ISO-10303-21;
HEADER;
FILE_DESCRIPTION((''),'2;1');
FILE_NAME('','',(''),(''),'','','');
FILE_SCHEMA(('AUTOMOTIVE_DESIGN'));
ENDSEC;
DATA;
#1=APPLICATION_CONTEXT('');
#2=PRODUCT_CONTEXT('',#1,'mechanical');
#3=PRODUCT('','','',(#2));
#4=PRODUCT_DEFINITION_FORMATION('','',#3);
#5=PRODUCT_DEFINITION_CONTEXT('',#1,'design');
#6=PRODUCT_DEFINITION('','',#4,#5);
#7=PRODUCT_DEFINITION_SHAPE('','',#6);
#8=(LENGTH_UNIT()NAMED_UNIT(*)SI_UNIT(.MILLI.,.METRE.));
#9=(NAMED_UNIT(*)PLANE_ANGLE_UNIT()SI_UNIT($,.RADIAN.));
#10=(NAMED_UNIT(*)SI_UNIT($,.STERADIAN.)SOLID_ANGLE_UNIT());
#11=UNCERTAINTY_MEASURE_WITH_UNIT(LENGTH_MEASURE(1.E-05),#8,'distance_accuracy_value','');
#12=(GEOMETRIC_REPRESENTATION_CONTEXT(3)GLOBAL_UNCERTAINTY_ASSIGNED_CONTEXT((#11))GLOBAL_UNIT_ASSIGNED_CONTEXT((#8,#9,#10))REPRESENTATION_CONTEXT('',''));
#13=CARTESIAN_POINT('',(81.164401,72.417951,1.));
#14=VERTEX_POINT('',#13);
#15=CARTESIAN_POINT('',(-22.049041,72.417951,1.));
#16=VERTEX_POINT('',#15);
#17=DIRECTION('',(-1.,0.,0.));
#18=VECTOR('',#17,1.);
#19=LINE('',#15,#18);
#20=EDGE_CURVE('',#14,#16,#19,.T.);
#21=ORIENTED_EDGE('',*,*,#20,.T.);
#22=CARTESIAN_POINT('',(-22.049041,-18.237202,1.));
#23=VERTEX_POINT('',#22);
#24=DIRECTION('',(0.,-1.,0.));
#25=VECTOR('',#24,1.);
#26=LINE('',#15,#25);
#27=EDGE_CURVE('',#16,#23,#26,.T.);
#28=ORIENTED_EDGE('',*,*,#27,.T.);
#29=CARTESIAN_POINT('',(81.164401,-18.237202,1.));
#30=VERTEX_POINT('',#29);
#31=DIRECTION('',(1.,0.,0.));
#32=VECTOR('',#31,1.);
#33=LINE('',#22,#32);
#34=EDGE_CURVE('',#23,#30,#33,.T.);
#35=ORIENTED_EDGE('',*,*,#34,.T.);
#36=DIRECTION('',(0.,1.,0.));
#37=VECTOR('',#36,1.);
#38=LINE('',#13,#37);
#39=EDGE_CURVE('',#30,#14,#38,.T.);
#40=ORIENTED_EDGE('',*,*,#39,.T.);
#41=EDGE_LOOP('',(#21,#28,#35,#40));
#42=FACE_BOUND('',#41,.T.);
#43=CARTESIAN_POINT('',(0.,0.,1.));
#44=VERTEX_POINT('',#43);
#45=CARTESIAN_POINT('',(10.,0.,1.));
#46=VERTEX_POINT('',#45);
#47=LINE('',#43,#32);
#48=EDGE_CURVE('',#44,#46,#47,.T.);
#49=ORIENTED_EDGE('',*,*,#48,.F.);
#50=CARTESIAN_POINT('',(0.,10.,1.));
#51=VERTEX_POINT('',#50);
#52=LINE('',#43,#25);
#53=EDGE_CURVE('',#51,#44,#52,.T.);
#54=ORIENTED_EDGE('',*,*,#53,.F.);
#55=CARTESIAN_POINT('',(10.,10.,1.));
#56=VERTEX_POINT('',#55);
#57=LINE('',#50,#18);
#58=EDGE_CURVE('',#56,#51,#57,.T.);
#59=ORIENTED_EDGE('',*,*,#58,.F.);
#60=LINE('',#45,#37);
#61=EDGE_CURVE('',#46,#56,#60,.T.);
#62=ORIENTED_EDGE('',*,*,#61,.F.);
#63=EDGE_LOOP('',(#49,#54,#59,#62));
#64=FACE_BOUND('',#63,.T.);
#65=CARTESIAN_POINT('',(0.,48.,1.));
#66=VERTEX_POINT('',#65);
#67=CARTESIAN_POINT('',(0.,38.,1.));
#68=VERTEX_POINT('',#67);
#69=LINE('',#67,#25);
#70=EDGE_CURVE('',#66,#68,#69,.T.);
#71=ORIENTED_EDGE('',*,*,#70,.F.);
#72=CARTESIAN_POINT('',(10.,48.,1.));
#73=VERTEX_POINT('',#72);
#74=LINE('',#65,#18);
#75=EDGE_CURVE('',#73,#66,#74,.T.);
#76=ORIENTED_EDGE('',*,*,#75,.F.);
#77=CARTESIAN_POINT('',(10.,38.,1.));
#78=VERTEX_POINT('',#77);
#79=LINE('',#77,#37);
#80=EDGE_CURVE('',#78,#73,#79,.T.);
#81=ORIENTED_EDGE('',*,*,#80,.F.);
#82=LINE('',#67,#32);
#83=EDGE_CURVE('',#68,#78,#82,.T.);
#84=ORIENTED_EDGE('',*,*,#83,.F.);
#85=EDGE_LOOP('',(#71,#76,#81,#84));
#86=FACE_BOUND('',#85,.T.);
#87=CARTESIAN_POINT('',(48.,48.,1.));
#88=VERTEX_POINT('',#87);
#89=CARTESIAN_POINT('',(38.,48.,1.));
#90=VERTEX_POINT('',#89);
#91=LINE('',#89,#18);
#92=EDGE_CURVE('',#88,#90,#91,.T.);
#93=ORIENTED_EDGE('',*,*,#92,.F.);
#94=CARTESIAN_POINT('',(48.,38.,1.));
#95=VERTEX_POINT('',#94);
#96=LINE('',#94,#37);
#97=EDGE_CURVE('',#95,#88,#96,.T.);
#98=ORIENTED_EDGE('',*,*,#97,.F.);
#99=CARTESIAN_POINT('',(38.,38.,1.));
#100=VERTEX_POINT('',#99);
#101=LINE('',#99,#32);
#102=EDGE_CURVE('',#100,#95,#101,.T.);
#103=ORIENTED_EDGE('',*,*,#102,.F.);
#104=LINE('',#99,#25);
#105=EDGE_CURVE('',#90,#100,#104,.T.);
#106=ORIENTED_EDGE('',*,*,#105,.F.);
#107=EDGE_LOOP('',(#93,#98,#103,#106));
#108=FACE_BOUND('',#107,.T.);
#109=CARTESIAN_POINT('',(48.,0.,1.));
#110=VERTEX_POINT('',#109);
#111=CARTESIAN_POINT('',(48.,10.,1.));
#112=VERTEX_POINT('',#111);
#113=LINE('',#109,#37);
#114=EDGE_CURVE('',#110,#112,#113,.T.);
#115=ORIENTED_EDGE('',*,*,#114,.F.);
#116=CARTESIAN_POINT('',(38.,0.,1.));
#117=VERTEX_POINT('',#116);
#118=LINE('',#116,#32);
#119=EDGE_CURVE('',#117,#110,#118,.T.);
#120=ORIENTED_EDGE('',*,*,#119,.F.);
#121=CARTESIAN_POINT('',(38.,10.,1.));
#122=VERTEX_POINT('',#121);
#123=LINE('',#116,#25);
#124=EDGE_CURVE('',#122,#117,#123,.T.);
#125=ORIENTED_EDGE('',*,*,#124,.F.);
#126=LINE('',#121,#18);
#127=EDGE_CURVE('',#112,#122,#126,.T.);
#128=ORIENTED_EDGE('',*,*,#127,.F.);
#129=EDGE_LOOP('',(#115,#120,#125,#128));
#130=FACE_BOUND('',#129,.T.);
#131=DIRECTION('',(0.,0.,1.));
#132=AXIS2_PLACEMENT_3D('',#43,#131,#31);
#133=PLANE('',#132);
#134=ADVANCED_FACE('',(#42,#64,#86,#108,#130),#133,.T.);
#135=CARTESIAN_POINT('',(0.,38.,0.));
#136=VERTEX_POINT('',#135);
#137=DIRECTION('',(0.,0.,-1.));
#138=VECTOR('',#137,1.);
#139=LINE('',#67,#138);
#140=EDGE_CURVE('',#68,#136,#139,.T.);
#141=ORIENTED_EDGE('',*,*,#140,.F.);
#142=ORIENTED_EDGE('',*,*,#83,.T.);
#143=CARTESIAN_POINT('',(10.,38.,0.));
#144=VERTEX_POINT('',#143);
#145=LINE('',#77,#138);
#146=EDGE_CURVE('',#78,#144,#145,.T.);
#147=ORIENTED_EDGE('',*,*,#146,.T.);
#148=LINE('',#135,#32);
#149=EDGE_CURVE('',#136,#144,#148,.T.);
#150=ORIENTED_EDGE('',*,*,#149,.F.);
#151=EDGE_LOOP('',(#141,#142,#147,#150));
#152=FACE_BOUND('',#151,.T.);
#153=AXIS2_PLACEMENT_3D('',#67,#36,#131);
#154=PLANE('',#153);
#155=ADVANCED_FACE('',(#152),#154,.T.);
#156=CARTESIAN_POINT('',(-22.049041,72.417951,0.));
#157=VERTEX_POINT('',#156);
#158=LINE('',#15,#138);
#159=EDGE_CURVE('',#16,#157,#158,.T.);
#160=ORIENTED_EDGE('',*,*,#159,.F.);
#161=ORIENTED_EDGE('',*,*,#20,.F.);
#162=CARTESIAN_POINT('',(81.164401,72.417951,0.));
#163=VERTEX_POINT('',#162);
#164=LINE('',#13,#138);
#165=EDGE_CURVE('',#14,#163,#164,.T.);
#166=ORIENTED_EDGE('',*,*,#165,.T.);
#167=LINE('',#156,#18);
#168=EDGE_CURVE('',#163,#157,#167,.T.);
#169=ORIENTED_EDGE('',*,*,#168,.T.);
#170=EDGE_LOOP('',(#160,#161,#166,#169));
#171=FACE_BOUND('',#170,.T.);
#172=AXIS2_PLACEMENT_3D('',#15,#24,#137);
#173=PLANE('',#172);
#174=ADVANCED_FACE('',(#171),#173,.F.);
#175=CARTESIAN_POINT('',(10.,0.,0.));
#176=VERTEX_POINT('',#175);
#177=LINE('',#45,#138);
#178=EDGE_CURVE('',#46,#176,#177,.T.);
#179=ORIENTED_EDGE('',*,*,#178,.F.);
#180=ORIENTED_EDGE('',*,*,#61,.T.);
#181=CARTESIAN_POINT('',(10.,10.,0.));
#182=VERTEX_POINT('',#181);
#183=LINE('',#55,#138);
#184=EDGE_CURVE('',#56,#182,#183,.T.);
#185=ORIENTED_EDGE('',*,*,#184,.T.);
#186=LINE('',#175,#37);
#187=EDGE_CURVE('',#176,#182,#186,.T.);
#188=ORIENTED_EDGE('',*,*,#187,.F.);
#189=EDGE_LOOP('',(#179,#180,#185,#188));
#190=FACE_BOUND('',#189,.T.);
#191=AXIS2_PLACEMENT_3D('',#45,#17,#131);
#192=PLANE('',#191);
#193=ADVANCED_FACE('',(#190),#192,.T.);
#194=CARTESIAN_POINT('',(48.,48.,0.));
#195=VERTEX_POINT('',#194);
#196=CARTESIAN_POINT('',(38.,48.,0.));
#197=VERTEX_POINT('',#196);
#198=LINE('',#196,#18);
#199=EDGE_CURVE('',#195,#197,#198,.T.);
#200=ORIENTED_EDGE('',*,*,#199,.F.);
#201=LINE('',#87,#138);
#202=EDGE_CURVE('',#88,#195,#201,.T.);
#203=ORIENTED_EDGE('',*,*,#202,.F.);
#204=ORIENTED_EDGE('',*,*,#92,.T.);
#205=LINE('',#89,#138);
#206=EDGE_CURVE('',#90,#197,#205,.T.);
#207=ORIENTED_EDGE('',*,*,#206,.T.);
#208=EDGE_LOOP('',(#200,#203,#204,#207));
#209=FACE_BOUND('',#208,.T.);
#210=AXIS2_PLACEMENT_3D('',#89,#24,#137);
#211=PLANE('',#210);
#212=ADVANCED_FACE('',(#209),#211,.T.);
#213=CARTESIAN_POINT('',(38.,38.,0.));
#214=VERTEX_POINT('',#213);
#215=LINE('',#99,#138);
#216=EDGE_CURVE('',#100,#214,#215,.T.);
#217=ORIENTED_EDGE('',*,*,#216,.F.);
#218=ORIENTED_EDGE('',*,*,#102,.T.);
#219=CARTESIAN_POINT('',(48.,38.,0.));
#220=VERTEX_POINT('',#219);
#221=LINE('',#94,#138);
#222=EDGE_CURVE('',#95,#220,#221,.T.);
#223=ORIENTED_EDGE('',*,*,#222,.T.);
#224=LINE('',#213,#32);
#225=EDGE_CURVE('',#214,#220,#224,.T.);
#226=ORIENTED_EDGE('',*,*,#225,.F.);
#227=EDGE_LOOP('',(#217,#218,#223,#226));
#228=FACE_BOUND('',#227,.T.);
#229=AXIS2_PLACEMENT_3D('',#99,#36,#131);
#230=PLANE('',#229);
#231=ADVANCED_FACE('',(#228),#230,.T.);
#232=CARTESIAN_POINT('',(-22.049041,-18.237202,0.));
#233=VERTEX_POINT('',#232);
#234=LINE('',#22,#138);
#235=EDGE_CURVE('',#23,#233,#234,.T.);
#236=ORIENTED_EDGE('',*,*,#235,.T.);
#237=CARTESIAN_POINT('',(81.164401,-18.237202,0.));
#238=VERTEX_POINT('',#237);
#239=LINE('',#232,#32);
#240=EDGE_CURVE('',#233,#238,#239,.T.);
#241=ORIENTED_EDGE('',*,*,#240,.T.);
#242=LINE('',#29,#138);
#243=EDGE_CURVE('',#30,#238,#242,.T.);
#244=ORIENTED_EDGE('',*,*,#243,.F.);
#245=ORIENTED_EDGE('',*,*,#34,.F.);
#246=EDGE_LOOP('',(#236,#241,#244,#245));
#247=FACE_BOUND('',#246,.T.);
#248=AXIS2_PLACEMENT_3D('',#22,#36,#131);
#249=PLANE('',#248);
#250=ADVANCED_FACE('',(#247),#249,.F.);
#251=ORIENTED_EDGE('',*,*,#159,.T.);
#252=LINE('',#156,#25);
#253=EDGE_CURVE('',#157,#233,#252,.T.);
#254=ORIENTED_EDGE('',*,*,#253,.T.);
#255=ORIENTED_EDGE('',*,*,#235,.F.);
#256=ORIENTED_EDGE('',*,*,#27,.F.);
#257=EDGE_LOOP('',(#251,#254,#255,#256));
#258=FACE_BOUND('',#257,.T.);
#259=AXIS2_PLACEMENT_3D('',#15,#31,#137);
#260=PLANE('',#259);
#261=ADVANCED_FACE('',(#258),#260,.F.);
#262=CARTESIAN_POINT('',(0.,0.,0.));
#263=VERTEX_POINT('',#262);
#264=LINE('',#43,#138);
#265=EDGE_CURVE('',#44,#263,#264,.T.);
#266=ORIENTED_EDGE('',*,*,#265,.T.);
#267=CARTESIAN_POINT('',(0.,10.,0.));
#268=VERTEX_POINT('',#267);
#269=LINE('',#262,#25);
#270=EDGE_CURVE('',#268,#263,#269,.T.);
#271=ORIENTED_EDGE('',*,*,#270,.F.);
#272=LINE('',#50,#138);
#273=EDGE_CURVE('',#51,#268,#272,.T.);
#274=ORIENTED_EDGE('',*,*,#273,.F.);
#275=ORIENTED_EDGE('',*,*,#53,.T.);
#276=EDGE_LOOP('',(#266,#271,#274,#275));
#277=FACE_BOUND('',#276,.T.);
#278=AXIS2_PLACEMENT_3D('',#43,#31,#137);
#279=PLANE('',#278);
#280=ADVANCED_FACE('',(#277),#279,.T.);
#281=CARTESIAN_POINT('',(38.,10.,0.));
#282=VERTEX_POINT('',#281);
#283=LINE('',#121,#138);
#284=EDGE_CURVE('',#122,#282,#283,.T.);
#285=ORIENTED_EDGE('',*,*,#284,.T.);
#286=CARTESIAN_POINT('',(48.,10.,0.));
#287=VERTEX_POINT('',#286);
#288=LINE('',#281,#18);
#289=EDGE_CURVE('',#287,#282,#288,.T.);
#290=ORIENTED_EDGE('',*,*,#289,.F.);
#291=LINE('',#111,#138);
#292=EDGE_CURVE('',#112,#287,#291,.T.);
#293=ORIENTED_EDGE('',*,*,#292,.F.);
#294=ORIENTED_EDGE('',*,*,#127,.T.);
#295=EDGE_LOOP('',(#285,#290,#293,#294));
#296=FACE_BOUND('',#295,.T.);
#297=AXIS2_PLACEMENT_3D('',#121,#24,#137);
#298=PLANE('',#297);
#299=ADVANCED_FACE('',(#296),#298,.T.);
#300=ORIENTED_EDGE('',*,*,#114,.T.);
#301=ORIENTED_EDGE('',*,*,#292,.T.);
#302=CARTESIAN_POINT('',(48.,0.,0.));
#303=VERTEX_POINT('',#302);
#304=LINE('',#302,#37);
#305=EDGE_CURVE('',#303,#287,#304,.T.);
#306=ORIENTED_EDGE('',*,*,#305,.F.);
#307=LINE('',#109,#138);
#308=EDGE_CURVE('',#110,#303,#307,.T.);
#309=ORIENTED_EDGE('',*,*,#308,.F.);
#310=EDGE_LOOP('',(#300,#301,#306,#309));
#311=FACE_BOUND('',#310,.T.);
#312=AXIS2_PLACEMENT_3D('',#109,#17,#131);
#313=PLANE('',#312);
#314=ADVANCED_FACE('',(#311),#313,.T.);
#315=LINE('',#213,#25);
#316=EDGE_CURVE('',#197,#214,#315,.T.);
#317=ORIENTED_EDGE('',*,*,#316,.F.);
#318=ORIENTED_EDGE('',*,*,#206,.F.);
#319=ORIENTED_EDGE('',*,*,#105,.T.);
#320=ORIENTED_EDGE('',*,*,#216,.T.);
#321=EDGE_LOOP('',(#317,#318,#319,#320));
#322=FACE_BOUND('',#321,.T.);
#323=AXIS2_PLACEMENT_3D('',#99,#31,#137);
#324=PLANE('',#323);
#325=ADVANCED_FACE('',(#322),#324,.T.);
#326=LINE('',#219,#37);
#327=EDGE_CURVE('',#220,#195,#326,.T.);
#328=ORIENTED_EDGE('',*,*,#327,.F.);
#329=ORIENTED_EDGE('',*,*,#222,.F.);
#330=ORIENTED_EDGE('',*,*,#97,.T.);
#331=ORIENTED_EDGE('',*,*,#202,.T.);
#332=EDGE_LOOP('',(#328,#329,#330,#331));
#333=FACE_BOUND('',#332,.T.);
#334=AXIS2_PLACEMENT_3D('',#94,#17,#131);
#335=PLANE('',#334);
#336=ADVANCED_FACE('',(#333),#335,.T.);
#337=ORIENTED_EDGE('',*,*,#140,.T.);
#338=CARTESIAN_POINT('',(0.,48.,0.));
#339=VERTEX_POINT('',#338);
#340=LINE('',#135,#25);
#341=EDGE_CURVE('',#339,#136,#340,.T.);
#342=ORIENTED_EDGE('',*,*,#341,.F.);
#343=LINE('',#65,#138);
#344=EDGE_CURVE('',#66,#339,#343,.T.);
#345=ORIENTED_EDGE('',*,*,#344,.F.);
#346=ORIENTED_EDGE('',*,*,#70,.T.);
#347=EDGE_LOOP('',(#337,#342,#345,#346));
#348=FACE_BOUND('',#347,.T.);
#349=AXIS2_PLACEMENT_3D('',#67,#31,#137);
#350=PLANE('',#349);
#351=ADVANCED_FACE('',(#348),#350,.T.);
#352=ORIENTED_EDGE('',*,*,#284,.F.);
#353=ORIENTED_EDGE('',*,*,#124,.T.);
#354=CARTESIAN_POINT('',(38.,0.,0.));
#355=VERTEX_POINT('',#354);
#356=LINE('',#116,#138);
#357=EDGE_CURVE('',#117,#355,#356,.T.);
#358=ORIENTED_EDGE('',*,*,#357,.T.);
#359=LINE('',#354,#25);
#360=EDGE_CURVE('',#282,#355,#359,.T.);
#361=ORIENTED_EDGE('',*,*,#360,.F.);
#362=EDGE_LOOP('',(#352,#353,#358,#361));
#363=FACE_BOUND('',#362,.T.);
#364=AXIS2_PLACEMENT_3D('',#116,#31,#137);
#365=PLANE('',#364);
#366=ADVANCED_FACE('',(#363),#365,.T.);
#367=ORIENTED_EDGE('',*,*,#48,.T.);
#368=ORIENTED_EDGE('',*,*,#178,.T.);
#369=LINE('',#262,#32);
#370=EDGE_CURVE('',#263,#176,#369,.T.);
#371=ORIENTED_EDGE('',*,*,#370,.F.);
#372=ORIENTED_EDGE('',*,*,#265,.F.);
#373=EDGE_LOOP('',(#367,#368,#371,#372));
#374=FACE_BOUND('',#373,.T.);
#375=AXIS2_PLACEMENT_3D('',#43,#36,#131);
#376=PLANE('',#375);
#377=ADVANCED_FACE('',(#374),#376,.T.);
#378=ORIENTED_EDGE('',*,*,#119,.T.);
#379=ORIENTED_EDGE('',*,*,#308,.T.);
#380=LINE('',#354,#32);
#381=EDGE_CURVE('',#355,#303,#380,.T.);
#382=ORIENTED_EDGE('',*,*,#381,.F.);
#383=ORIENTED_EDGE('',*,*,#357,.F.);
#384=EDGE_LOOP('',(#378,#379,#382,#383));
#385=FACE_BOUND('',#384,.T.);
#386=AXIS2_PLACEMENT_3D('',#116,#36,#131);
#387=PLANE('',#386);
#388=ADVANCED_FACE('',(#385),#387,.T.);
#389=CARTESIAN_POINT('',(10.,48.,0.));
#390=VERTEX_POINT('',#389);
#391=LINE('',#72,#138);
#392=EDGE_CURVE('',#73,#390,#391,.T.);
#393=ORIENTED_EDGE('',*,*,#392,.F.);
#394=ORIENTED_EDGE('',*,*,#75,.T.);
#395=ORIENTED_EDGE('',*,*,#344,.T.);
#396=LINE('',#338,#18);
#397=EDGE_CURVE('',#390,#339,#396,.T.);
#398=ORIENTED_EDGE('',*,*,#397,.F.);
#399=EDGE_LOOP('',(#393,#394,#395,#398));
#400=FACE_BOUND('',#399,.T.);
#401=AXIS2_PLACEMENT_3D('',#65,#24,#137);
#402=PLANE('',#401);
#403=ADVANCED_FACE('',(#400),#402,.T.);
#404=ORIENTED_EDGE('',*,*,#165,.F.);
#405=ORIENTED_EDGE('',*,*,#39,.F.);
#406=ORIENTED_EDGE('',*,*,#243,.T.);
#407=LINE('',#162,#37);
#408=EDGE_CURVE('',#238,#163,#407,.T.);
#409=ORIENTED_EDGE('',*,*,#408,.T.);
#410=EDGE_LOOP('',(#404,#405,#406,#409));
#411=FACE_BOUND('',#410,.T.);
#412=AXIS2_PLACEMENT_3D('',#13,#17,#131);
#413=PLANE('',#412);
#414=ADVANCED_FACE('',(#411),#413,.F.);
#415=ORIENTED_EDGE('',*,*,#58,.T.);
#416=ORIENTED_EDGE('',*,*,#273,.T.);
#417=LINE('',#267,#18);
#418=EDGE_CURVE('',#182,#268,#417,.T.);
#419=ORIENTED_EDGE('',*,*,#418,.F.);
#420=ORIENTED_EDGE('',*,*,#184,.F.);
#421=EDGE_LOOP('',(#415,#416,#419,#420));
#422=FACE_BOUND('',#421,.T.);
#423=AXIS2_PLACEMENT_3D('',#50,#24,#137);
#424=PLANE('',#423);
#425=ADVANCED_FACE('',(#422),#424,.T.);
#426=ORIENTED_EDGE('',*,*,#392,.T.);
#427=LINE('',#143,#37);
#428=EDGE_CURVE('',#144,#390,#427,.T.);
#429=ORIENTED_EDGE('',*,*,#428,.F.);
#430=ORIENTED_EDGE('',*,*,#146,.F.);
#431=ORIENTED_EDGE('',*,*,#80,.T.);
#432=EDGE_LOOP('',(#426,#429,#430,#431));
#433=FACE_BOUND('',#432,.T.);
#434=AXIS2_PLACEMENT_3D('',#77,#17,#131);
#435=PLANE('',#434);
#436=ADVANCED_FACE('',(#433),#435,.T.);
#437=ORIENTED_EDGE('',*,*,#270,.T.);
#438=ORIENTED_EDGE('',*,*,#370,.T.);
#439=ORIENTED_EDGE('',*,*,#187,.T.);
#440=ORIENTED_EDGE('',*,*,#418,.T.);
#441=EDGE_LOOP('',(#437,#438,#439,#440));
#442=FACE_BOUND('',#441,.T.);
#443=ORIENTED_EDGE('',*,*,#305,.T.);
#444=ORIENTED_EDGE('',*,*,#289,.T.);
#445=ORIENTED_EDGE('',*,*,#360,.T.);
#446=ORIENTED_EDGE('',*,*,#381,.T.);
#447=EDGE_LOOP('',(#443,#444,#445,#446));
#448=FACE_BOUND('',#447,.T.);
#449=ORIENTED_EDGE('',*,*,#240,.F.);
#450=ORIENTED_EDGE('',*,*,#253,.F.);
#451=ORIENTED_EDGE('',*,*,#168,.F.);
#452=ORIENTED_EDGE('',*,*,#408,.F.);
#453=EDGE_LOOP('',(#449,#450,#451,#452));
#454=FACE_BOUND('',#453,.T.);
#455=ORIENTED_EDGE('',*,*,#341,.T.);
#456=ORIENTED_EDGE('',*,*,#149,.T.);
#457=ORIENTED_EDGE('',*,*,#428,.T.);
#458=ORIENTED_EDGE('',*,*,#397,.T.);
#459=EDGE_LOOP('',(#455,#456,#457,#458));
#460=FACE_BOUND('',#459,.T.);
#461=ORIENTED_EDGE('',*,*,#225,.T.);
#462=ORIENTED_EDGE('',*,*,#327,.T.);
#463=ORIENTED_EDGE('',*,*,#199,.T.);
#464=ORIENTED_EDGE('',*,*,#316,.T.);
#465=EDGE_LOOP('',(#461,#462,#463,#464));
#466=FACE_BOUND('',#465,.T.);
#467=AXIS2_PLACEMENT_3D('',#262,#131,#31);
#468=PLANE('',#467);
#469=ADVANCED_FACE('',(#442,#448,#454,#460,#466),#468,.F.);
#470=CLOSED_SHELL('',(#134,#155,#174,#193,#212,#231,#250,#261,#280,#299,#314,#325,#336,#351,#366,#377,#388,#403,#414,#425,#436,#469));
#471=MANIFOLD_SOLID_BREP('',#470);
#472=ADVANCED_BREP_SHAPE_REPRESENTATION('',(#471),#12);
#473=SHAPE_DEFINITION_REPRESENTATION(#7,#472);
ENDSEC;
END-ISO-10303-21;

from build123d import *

# Parameters (mm, degrees)
ESQUISSE1_W        = 103.213442027
ESQUISSE1_H        = 90.655152503
ESQUISSE1_W_2      = 10
ESQUISSE1_H_2      = 10
BOSS_EXTRU_1_DEPTH = 1


with BuildPart() as part:
    # Esquisse1 → Boss.-Extru.1 (new body)
    with BuildSketch(Plane.XY):
        with Locations((29.557680179, 27.090374546)):
            Rectangle(ESQUISSE1_W, ESQUISSE1_H)
        with Locations((5, 5)):
            Rectangle(ESQUISSE1_W_2, ESQUISSE1_H_2, mode=Mode.SUBTRACT)
        with Locations((43, 5)):
            Rectangle(ESQUISSE1_W_2, ESQUISSE1_H_2, mode=Mode.SUBTRACT)
        with Locations((43, 43)):
            Rectangle(ESQUISSE1_W_2, ESQUISSE1_H_2, mode=Mode.SUBTRACT)
        with Locations((5, 43)):
            Rectangle(ESQUISSE1_W_2, ESQUISSE1_H_2, mode=Mode.SUBTRACT)
    extrude(amount=BOSS_EXTRU_1_DEPTH)


solid = part.part
